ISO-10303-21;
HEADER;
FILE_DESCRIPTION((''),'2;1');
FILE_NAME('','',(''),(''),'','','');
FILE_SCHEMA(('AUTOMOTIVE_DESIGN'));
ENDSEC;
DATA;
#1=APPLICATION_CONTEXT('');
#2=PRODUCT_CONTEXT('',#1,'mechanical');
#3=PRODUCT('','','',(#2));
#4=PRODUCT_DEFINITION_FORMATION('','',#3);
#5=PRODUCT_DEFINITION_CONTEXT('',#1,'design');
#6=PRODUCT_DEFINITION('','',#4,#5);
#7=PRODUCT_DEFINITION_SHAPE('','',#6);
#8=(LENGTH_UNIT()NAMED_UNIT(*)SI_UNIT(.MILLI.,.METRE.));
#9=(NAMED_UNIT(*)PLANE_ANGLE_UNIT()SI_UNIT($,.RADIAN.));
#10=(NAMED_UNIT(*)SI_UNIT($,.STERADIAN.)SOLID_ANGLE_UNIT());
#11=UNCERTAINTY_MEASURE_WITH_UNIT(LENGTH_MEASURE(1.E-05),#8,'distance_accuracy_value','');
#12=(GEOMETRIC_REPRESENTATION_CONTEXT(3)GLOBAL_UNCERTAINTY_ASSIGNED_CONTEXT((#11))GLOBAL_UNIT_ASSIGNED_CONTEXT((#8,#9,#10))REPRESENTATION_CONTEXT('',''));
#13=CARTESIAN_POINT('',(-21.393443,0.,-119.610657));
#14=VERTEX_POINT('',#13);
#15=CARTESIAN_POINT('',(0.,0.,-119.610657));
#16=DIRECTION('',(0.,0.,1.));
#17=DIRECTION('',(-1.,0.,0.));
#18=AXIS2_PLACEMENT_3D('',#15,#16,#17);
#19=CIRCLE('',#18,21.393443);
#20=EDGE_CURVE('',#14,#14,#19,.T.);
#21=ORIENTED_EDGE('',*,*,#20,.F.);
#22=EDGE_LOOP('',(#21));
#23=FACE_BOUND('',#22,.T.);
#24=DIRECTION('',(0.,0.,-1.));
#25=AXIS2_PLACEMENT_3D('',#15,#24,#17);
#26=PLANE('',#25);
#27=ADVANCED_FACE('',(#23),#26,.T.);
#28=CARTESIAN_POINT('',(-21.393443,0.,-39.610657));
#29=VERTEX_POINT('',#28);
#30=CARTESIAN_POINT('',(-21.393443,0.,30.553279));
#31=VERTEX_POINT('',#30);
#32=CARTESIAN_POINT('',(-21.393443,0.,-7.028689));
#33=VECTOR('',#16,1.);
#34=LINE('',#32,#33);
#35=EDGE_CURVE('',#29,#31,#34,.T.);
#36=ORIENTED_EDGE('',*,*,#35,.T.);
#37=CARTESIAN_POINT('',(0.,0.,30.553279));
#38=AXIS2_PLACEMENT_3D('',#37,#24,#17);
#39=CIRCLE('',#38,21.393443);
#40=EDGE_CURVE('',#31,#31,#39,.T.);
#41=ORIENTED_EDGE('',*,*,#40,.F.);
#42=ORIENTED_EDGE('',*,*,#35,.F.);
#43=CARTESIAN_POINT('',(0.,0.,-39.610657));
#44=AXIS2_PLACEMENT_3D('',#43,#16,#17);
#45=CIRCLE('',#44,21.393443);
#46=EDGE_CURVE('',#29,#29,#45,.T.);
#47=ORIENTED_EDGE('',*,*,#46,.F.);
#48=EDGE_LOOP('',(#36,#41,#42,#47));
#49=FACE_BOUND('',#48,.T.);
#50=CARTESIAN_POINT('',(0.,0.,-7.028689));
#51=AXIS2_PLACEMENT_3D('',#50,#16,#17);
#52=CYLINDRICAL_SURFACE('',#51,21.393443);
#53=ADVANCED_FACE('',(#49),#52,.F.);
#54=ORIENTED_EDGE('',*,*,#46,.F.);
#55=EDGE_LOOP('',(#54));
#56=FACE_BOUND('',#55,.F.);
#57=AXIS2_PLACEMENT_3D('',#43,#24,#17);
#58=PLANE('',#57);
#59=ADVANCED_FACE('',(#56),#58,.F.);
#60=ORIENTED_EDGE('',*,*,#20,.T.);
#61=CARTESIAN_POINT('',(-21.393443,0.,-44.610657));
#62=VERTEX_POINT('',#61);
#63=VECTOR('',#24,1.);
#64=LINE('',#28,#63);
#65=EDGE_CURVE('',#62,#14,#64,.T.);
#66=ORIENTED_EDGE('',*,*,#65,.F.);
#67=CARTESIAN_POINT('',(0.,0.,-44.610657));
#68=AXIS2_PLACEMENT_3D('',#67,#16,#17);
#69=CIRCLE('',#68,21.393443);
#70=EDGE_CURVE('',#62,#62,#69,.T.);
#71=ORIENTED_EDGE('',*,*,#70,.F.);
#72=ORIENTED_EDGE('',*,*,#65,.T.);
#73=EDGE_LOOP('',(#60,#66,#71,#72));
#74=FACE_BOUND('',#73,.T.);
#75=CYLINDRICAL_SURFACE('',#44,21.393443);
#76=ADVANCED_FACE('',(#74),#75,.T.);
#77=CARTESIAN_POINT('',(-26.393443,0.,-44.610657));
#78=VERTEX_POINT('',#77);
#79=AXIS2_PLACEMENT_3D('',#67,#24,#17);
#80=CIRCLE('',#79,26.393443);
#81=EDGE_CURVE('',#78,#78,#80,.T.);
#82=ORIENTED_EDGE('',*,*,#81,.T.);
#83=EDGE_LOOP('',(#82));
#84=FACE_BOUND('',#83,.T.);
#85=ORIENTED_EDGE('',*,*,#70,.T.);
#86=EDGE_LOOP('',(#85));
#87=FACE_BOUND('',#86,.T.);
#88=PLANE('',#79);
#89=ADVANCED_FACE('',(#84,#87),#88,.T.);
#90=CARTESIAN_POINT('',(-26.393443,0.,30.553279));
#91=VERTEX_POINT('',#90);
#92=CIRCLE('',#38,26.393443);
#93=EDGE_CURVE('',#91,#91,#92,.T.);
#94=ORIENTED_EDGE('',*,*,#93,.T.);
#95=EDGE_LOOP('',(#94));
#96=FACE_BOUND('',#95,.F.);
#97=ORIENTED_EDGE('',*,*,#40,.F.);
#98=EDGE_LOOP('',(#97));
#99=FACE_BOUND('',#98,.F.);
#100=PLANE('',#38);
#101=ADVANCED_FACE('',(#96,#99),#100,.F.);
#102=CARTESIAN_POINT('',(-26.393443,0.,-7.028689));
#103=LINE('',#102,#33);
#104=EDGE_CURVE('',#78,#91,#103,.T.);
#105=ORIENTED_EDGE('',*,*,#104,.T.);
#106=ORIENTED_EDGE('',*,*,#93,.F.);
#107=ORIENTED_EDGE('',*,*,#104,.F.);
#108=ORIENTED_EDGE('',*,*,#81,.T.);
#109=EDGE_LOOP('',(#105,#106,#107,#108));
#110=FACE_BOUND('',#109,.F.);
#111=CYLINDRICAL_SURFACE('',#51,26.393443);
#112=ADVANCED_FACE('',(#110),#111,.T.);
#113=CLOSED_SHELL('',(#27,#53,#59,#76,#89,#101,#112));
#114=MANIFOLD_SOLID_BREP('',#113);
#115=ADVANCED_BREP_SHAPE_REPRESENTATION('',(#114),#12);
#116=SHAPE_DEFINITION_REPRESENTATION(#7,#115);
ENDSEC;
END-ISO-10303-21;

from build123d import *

# Parameters (mm, degrees)
F0_W     = 26.393443346
F0_H     = 75.1639362425
F2_T     = -5
F3_DEPTH = 80


with BuildPart() as f1:
    # F0 (on Front) → F1 (revolve)
    with BuildSketch(Plane.XZ):
        with Locations((-13.196721673, -7.0286886767)):
            Rectangle(F0_W, F0_H)
    revolve(axis=Axis((0, 0, -7.0286886767), (0, 0, -1)))

    # F2
    f2_openings = [f1.faces().sort_by_distance(p)[0] for p in [
        (0, 0, 30.553279),
    ]]
    offset(amount=F2_T, openings=f2_openings)

    # F3 (add): a face of the model
    f3_faces = [f1.faces().sort_by_distance(p)[0] for p in [
        (0, 0, -39.6106567979),
    ]]
    extrude(f3_faces, amount=-F3_DEPTH)


solid = f1.part
